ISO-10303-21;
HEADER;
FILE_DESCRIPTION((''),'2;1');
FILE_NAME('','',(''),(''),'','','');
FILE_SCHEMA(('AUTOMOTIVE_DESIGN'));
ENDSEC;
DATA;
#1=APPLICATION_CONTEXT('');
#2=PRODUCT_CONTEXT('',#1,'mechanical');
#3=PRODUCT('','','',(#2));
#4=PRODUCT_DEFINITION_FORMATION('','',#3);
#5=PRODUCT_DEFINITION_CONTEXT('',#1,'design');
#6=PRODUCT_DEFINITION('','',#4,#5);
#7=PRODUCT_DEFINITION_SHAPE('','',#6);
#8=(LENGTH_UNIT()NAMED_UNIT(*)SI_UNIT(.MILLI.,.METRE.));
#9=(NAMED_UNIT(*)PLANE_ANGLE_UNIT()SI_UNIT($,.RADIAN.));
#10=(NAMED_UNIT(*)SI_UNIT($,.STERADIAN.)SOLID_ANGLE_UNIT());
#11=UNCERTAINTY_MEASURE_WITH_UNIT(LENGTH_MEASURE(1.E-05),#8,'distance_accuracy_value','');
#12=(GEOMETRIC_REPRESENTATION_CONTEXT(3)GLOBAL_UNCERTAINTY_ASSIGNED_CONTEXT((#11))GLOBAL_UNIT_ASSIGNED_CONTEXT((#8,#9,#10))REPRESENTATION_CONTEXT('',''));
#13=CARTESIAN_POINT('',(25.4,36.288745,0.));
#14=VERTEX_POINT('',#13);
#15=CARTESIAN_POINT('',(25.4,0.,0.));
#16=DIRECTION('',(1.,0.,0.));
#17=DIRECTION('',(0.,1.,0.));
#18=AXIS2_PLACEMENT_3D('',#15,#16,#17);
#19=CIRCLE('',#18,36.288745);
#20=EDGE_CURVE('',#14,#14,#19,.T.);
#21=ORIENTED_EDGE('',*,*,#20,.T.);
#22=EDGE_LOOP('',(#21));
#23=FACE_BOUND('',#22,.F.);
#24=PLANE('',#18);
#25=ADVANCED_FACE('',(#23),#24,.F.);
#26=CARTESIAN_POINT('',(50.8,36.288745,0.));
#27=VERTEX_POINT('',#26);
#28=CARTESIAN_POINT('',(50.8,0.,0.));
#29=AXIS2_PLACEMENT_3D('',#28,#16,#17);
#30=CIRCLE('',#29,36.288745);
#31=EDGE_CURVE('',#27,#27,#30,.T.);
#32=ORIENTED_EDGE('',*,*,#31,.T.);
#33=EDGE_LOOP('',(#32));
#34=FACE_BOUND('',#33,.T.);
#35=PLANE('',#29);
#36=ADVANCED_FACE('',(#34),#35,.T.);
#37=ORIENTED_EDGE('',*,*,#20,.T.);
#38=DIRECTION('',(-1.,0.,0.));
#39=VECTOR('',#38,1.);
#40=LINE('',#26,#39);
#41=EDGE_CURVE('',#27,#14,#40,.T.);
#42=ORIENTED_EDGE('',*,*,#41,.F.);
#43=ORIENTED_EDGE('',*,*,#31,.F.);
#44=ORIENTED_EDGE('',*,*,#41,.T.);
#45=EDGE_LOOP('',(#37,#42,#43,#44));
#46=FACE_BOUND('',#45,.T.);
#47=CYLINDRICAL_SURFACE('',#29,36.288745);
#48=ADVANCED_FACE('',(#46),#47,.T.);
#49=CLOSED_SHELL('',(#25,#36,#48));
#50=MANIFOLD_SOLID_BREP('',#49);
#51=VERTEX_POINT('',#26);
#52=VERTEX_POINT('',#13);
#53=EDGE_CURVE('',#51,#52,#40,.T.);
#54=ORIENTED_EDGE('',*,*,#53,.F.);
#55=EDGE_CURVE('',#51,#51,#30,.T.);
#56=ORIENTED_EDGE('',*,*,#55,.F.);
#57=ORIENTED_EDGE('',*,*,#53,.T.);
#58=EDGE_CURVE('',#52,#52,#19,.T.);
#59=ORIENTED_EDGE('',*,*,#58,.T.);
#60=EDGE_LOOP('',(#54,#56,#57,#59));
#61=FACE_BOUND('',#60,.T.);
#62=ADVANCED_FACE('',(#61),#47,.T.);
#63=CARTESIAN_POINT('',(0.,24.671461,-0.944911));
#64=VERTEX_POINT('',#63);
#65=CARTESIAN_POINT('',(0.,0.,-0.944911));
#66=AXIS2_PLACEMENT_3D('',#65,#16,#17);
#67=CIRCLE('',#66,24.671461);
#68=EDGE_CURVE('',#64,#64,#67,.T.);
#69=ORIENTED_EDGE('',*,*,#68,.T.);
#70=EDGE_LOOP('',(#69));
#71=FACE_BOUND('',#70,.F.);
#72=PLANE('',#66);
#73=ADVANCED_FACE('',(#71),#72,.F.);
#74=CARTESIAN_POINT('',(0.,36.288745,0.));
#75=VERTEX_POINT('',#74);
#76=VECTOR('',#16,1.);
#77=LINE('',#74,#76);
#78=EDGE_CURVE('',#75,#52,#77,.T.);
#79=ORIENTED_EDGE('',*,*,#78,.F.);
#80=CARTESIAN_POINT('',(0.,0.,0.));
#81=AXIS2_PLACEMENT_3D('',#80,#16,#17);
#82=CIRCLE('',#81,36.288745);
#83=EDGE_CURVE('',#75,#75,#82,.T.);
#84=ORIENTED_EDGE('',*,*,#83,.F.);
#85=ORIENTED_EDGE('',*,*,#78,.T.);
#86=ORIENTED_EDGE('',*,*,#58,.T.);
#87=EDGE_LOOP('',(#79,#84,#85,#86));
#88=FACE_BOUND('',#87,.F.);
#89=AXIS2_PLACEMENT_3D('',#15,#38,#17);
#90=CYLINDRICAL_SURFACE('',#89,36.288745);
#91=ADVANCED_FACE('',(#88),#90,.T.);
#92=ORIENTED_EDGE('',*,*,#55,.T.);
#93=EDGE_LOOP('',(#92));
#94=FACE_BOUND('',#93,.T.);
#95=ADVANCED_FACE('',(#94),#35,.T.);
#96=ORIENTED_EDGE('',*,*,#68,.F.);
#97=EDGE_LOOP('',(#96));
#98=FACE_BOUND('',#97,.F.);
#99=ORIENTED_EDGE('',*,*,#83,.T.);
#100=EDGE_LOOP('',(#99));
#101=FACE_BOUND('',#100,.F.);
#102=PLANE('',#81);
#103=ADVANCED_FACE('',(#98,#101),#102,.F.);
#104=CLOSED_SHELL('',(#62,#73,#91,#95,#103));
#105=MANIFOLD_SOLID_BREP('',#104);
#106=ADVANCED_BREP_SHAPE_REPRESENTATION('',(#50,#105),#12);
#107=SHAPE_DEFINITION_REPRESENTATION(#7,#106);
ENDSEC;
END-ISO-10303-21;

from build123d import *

# Parameters (mm, degrees)
F0_R      = 36.2887451917
F1_DEPTH  = 25.4
F3_DEPTH  = 25.4
F4_DEPTH  = 25.4
F5_DEPTH  = 25.4
F4_FACE_R = 36.2887451917
F2_R      = 24.6714612135
F6_DEPTH  = 25.4
F7_DEPTH  = 25.4
F8_DEPTH  = 25.4


with BuildPart() as f1:
    # F0 (on Right) → F1 (new body)
    with BuildSketch(Plane.YZ):
        Circle(F0_R)
    extrude(amount=F1_DEPTH)



with BuildPart() as f3:
    # F0 (on Right) → F3 (new body)
    with BuildSketch(Plane.YZ):
        Circle(F0_R)
    extrude(amount=F3_DEPTH)


with BuildPart() as f1_1:
    add(f1.part)
    # F4 (add): a face of the model
    f4_faces = [f3.part.faces().sort_by_distance(p)[0] for p in [
        (25.4, 0, 0),
    ]]

    add(f3.part)  # F4 merges F3
    extrude(f4_faces, amount=F4_DEPTH)

    # F5 (add): a face of the model
    f5_faces = [f1_1.faces().sort_by_distance(p)[0] for p in [
        (50.8, 0, 0),
    ]]
    extrude(f5_faces, amount=-F5_DEPTH)

    # F4_face (on face) + F2 (on face) → F6 (join)
    with BuildSketch(Plane.YZ.offset(50.8)):
        Circle(F4_FACE_R)
    with BuildSketch(Plane.YZ.offset(25.4)):
        with Locations((0, -0.9449110366)):
            Circle(F2_R)
    extrude(amount=-F6_DEPTH)

    # F7 (add): a face of the model
    f7_faces = [f1_1.faces().sort_by_distance(p)[0] for p in [
        (50.8, 0, 0),
    ]]
    extrude(f7_faces, amount=-F7_DEPTH)


with BuildPart() as f8:
    # F8 (new): a face of the model
    f8_faces = [f1_1.part.faces().sort_by_distance(p)[0] for p in [
        (50.8, 0, 0),
    ]]
    extrude(f8_faces, amount=-F8_DEPTH)


solid = Compound([f1_1.part, f8.part])
